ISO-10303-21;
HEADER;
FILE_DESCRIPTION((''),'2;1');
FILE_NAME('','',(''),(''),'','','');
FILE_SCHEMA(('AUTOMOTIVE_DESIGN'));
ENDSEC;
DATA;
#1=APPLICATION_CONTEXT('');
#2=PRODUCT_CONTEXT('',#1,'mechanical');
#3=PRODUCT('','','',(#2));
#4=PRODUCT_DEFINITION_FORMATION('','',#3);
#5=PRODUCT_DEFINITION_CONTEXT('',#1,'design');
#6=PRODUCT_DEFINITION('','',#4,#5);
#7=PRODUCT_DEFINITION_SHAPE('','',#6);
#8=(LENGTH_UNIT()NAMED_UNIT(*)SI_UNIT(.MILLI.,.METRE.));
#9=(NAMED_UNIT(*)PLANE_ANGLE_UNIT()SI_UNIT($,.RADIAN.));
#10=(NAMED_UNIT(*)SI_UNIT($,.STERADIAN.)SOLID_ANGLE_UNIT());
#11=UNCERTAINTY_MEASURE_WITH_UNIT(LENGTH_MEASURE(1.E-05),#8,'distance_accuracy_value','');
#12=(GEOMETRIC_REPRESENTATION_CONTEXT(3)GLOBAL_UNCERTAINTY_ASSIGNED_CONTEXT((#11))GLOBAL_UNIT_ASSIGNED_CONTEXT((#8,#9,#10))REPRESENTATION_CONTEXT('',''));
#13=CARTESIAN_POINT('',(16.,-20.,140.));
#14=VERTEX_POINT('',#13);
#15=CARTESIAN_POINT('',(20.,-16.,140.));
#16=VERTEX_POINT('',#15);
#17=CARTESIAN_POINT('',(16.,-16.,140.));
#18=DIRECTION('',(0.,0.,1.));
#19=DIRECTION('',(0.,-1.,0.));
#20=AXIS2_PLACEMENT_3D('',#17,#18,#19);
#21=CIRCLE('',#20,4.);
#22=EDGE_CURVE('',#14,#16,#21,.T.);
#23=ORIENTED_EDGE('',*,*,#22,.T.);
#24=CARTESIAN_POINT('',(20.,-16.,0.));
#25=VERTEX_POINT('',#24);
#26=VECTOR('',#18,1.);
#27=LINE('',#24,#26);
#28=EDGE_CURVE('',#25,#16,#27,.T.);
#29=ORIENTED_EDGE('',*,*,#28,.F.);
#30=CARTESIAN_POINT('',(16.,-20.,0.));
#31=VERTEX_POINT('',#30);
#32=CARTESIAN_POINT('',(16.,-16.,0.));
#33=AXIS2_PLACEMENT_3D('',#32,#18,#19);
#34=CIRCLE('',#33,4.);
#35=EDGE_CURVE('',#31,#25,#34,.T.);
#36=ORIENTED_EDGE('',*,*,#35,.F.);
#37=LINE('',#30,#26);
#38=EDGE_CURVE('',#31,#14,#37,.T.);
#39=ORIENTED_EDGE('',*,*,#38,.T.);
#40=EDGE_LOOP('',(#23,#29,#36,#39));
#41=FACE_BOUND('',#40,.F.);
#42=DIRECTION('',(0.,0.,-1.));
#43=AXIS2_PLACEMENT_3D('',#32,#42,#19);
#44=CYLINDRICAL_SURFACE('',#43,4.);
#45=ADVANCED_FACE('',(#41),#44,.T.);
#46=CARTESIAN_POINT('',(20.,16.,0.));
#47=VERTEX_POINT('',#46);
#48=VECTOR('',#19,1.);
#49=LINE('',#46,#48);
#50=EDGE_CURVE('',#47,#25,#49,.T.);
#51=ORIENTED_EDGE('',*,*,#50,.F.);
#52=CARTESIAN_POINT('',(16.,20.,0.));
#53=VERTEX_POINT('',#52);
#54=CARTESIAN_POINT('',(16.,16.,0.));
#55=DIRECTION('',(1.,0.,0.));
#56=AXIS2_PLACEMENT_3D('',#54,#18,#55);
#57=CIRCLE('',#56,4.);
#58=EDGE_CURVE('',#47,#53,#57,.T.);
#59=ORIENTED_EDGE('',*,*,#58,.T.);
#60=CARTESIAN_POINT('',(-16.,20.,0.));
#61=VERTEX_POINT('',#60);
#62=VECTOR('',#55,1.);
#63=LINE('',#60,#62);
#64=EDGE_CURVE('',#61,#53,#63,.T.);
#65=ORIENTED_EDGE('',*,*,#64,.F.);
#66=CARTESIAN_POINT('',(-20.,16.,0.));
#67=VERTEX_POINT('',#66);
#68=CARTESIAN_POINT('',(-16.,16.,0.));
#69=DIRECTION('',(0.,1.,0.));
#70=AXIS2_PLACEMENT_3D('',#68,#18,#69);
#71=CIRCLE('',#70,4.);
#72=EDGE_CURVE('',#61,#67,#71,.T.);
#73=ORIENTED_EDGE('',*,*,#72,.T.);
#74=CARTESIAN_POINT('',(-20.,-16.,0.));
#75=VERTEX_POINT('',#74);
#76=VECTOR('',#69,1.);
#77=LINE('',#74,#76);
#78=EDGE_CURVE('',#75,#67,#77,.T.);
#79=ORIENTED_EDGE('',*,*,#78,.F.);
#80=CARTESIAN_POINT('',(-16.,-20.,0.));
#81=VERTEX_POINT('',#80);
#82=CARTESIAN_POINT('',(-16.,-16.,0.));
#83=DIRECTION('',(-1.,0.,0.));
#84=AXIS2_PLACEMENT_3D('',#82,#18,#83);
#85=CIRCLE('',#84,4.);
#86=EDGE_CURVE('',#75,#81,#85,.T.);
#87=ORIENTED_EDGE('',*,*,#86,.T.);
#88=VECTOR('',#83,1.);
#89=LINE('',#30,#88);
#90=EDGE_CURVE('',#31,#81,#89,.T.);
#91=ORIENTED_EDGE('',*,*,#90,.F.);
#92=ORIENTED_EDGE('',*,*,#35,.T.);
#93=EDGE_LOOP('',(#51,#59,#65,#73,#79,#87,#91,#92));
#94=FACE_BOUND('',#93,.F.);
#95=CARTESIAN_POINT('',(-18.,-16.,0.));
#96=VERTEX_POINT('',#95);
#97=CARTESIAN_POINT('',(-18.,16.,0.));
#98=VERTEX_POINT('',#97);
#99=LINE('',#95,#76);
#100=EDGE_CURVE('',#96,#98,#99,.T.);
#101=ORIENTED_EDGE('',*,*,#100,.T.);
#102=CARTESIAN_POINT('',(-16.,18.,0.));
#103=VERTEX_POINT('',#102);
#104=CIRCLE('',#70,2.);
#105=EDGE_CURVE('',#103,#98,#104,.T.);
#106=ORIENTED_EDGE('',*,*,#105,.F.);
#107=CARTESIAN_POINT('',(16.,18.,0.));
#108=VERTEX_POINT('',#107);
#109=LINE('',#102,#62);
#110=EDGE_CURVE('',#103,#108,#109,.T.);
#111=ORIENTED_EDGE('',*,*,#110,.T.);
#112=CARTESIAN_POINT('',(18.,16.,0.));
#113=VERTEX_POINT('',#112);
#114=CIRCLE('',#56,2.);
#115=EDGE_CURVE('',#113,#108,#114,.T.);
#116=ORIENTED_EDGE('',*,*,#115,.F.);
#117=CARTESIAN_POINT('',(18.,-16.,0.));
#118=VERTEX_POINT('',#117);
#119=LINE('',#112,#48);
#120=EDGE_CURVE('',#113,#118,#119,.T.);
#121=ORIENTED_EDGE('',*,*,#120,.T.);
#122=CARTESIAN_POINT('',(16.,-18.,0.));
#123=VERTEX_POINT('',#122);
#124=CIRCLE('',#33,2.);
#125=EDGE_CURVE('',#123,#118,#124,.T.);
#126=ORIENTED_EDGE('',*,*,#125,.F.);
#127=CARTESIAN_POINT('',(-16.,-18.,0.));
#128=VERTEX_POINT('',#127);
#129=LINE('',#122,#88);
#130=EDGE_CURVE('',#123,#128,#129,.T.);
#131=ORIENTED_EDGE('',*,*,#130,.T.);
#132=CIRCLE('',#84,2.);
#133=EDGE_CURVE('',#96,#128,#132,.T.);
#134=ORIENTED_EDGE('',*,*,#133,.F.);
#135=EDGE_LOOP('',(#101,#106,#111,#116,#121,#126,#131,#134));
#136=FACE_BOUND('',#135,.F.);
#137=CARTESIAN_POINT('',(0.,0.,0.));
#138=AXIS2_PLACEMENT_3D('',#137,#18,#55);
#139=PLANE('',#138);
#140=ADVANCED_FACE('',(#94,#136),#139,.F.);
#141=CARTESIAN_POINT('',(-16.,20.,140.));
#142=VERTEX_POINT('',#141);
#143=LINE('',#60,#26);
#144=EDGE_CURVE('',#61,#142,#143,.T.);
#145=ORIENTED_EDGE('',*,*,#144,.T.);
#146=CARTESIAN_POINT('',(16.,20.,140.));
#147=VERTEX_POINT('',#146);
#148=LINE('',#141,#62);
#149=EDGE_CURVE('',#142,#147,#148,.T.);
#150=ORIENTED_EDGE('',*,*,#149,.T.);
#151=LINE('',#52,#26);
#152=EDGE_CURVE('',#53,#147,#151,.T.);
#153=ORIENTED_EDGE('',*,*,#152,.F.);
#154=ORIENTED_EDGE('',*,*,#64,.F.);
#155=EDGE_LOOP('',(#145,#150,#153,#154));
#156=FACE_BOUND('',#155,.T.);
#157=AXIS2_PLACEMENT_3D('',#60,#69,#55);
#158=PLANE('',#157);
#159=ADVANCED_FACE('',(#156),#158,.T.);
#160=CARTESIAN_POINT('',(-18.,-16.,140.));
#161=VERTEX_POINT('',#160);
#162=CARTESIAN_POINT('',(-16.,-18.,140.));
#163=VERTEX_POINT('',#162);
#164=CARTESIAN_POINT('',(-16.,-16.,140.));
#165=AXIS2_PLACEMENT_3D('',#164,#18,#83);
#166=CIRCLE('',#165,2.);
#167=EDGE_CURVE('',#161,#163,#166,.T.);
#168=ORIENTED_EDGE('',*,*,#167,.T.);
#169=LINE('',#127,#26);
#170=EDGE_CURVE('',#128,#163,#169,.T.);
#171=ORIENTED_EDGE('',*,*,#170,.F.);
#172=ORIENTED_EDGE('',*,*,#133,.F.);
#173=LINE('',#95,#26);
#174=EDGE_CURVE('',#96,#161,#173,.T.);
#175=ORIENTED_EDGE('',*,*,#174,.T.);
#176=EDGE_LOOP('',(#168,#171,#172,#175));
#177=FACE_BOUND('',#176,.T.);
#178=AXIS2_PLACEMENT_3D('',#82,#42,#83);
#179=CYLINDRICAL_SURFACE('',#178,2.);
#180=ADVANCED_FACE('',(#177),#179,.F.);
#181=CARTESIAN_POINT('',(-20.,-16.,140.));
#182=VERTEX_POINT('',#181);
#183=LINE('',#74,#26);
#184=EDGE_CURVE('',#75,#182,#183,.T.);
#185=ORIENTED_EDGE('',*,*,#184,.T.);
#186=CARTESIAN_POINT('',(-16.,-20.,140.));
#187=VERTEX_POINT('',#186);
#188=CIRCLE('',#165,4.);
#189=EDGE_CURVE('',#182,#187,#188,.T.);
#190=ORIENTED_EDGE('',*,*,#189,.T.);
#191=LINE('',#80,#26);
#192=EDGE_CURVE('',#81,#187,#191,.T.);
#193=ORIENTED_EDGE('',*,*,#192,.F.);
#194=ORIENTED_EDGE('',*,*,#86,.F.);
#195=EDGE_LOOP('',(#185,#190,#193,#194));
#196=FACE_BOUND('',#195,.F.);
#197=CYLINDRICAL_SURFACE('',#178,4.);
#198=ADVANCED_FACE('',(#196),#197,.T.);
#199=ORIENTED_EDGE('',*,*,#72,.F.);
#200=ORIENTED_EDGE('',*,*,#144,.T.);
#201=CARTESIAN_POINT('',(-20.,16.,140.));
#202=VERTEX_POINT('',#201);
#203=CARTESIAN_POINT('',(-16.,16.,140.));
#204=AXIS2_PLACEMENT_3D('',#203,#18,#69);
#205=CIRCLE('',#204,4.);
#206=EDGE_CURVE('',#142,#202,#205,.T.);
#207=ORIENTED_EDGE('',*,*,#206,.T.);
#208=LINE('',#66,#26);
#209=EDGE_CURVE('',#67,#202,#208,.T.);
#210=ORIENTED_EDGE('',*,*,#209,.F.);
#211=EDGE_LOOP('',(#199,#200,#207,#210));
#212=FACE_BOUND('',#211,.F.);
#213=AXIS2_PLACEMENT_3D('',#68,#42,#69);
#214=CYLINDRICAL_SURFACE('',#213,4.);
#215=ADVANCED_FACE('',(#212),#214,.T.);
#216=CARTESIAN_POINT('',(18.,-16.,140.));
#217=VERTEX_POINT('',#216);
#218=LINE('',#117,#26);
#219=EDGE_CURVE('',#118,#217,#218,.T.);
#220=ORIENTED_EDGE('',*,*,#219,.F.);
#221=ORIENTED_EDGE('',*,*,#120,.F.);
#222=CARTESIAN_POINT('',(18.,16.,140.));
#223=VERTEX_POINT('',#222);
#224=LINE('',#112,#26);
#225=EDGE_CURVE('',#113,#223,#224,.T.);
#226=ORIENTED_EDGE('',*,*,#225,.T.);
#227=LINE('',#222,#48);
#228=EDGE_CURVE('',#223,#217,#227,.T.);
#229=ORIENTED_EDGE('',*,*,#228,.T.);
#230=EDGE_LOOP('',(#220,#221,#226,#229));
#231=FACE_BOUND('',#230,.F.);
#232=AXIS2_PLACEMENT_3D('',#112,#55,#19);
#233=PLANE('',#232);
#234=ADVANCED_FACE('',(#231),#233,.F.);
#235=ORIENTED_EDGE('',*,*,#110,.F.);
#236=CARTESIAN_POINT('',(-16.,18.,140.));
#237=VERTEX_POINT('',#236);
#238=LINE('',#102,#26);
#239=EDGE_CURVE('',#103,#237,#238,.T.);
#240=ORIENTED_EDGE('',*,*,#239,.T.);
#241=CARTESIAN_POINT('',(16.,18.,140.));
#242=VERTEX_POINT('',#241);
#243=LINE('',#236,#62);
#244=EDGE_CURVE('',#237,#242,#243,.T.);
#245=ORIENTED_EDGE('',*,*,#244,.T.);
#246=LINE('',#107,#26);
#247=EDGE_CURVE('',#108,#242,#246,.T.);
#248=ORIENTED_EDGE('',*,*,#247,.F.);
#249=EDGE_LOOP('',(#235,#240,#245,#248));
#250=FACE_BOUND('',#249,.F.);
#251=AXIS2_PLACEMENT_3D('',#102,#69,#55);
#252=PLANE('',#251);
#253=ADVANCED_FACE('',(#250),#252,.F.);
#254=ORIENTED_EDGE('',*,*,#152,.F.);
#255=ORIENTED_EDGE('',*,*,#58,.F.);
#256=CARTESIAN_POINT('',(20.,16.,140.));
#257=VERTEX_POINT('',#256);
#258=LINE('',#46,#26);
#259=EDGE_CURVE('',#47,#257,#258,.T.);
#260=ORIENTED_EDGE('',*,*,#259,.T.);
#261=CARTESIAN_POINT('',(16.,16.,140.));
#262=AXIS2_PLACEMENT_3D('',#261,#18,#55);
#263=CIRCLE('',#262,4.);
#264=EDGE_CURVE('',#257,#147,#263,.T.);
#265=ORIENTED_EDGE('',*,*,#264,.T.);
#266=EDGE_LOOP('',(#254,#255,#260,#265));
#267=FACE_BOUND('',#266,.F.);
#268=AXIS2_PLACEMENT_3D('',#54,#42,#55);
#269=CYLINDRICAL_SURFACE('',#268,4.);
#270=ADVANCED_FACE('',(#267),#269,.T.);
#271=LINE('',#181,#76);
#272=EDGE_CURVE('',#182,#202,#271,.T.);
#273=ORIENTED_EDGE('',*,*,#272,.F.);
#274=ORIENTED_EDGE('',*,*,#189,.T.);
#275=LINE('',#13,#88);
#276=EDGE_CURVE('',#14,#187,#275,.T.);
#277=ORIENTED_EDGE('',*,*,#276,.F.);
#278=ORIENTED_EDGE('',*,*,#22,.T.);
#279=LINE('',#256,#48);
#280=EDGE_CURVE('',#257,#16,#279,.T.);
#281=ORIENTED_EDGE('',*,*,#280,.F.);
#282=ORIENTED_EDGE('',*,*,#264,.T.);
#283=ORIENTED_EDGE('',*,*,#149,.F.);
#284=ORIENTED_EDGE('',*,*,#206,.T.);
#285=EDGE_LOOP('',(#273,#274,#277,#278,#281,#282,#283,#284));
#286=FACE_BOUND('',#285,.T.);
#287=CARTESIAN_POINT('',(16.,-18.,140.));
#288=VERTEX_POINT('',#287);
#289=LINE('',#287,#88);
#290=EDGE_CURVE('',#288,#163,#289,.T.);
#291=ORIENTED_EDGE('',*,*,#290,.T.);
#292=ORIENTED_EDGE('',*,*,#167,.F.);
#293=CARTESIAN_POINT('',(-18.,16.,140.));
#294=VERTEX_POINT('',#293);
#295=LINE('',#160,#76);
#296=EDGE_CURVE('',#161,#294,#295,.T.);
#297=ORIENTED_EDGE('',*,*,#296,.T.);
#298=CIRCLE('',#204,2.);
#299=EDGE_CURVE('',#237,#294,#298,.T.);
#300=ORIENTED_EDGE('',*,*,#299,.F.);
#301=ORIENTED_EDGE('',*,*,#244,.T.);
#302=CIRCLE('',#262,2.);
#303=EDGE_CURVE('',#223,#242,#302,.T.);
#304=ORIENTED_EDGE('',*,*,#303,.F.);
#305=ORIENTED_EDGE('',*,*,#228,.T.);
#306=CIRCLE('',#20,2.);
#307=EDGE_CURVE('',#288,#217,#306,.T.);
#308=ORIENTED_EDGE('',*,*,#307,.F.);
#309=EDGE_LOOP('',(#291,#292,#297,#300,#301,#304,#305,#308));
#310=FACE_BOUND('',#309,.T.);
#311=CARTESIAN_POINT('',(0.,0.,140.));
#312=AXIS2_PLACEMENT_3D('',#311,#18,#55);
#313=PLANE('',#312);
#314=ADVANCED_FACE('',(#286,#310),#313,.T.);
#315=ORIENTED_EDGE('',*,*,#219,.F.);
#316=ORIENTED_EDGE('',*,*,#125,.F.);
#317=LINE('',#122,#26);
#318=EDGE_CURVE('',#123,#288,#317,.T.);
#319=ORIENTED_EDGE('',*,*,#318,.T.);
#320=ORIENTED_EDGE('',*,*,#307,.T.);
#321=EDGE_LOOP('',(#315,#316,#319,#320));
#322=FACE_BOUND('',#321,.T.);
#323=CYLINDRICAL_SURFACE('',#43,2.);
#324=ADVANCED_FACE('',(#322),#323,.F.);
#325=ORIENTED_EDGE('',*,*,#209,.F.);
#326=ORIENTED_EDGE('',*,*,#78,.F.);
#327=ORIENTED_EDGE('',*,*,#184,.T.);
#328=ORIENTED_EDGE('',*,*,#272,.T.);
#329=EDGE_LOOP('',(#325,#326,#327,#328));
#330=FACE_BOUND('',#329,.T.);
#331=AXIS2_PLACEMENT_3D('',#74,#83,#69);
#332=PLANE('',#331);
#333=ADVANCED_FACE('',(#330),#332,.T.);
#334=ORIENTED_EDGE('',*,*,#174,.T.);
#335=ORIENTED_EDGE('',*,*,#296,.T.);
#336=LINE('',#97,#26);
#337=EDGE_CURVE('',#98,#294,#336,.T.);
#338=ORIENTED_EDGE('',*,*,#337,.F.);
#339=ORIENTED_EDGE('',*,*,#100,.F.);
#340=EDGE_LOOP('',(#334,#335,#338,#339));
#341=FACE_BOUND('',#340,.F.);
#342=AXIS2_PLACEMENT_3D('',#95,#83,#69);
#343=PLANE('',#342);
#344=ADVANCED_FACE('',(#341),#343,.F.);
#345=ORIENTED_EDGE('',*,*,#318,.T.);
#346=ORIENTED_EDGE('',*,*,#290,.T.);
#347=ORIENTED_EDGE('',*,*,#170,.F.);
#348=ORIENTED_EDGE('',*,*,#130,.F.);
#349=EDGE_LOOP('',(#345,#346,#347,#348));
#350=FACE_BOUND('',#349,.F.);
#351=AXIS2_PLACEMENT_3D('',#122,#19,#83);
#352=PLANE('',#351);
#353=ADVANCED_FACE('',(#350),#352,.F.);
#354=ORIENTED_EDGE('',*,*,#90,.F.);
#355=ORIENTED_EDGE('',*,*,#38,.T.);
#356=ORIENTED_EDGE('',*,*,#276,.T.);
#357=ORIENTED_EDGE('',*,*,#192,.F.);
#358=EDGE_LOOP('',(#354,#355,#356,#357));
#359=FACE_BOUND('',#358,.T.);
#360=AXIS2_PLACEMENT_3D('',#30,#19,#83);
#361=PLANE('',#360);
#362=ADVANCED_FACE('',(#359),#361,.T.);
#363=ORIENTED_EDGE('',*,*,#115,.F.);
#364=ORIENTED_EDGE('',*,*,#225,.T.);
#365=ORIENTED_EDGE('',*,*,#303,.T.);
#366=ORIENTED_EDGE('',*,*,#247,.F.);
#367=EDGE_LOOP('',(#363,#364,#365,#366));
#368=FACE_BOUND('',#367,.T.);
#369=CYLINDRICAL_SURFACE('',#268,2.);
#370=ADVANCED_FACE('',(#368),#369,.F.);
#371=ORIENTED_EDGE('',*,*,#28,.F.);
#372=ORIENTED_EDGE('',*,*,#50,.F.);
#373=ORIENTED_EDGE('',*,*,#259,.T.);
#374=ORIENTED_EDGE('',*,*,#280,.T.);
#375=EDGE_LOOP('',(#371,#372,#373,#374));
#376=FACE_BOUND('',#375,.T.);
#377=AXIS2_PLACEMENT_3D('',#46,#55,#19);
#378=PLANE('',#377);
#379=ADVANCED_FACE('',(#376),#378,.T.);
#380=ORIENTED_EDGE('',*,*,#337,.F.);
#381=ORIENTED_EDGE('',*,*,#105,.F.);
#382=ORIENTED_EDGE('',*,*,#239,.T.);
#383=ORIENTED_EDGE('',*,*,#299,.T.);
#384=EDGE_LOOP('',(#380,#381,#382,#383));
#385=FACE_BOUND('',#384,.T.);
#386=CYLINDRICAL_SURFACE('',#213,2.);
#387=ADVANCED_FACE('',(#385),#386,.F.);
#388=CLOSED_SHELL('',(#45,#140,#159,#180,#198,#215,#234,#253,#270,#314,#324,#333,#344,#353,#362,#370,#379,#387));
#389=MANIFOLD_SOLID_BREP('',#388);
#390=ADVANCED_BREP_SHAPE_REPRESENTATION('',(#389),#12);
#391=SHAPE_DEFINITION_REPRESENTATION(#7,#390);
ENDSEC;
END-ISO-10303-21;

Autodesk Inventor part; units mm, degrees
ref_plane "YZ Plane" through (0, 0, 0) normal (1, 0, 0) x (0, 1, 0)
ref_plane "Start plane" through (0, 0, 0) normal (0, 0, 1) x (1, 0, 0)
ref_plane "End plane" through (0, 0, 140) normal (0, 0, 1) x (1, 0, 0)
sketch "Sketch" plane through (0, 0, 0) normal (0, 0, 1) x (1, 0, 0)
  line L0 (-20, -16) -> (-20, 16)
  line L1 (-16, 20) -> (16, 20)
  line L2 (20, 16) -> (20, -16)
  line L3 (16, -20) -> (-16, -20)
  arc A0 (-20, -16) -> (-16, -20) centre (-16, -16) ccw
  arc A1 (20, 16) -> (16, 20) centre (16, 16) ccw
  arc A2 (-16, 20) -> (-20, 16) centre (-16, 16) ccw
  arc A3 (16, -20) -> (20, -16) centre (16, -16) ccw
  arc A4 (-16, 18) -> (-18, 16) centre (-16, 16) ccw
  line L4 (-16, 18) -> (16, 18)
  arc A5 (18, 16) -> (16, 18) centre (16, 16) ccw
  line L5 (18, 16) -> (18, -16)
  arc A6 (16, -18) -> (18, -16) centre (16, -16) ccw
  line L6 (16, -18) -> (-16, -18)
  arc A7 (-18, -16) -> (-16, -18) centre (-16, -16) ccw
  line L7 (-18, -16) -> (-18, 16)
  line L8 (0, 37.1021) -> (0, -37.1021) construction
  line L9 (-23.1021, 0) -> (23.1021, 0) construction
  dimension "d7" = 4
  dimension "d9" = 40
  dimension "d11" = 40
  dimension "d12" = 2
  dimension "d15" = 20
  dimension "d16" = 20
extrude "Body" add sketch "Sketch" along normal up to surface (140 mm away) from surface at 0
sketch "Sketch3" plane through (0, 0, 0) normal (0, 0, 1) x (1, 0, 0)
  line L0 (0, 0) -> (10, 0)
ref_plane "Work Plane3" through (0, 0, 0) normal (0, -1, 0) x (1, 0, 0)
sketch "Sketch4" plane through (0, 0, 0) normal (0, -1, 0) x (1, 0, 0)
  line L0 (-2, 0) -> (12, 0) projected
  line L1 (-2, 140) -> (12, 140) projected
  dimension "d18" = 140
equation "\"d7\" = G_IR"
equation "\"d9\" = G_W"
equation "\"d11\" = G_H"
equation "\"d12\" = G_T"
equation "\"d15\" = 0.5 * d9"
equation "\"d16\" = 0.5 * d11"
equation "\"d3\" = G_L"
equation "\"G_W\" = 40"
equation "\"G_H\" = 40"
equation "\"G_T\" = 2"
equation "\"G_IR\" = 4"
equation "\"G_L\" = d18"
equation "\"G_OFFSET_START\" = 0"
equation "\"G_OFFSET_END\" = 0"
properties part number "ISO 4019 - 40x40x2 - 140" material "Steel, Mild"
